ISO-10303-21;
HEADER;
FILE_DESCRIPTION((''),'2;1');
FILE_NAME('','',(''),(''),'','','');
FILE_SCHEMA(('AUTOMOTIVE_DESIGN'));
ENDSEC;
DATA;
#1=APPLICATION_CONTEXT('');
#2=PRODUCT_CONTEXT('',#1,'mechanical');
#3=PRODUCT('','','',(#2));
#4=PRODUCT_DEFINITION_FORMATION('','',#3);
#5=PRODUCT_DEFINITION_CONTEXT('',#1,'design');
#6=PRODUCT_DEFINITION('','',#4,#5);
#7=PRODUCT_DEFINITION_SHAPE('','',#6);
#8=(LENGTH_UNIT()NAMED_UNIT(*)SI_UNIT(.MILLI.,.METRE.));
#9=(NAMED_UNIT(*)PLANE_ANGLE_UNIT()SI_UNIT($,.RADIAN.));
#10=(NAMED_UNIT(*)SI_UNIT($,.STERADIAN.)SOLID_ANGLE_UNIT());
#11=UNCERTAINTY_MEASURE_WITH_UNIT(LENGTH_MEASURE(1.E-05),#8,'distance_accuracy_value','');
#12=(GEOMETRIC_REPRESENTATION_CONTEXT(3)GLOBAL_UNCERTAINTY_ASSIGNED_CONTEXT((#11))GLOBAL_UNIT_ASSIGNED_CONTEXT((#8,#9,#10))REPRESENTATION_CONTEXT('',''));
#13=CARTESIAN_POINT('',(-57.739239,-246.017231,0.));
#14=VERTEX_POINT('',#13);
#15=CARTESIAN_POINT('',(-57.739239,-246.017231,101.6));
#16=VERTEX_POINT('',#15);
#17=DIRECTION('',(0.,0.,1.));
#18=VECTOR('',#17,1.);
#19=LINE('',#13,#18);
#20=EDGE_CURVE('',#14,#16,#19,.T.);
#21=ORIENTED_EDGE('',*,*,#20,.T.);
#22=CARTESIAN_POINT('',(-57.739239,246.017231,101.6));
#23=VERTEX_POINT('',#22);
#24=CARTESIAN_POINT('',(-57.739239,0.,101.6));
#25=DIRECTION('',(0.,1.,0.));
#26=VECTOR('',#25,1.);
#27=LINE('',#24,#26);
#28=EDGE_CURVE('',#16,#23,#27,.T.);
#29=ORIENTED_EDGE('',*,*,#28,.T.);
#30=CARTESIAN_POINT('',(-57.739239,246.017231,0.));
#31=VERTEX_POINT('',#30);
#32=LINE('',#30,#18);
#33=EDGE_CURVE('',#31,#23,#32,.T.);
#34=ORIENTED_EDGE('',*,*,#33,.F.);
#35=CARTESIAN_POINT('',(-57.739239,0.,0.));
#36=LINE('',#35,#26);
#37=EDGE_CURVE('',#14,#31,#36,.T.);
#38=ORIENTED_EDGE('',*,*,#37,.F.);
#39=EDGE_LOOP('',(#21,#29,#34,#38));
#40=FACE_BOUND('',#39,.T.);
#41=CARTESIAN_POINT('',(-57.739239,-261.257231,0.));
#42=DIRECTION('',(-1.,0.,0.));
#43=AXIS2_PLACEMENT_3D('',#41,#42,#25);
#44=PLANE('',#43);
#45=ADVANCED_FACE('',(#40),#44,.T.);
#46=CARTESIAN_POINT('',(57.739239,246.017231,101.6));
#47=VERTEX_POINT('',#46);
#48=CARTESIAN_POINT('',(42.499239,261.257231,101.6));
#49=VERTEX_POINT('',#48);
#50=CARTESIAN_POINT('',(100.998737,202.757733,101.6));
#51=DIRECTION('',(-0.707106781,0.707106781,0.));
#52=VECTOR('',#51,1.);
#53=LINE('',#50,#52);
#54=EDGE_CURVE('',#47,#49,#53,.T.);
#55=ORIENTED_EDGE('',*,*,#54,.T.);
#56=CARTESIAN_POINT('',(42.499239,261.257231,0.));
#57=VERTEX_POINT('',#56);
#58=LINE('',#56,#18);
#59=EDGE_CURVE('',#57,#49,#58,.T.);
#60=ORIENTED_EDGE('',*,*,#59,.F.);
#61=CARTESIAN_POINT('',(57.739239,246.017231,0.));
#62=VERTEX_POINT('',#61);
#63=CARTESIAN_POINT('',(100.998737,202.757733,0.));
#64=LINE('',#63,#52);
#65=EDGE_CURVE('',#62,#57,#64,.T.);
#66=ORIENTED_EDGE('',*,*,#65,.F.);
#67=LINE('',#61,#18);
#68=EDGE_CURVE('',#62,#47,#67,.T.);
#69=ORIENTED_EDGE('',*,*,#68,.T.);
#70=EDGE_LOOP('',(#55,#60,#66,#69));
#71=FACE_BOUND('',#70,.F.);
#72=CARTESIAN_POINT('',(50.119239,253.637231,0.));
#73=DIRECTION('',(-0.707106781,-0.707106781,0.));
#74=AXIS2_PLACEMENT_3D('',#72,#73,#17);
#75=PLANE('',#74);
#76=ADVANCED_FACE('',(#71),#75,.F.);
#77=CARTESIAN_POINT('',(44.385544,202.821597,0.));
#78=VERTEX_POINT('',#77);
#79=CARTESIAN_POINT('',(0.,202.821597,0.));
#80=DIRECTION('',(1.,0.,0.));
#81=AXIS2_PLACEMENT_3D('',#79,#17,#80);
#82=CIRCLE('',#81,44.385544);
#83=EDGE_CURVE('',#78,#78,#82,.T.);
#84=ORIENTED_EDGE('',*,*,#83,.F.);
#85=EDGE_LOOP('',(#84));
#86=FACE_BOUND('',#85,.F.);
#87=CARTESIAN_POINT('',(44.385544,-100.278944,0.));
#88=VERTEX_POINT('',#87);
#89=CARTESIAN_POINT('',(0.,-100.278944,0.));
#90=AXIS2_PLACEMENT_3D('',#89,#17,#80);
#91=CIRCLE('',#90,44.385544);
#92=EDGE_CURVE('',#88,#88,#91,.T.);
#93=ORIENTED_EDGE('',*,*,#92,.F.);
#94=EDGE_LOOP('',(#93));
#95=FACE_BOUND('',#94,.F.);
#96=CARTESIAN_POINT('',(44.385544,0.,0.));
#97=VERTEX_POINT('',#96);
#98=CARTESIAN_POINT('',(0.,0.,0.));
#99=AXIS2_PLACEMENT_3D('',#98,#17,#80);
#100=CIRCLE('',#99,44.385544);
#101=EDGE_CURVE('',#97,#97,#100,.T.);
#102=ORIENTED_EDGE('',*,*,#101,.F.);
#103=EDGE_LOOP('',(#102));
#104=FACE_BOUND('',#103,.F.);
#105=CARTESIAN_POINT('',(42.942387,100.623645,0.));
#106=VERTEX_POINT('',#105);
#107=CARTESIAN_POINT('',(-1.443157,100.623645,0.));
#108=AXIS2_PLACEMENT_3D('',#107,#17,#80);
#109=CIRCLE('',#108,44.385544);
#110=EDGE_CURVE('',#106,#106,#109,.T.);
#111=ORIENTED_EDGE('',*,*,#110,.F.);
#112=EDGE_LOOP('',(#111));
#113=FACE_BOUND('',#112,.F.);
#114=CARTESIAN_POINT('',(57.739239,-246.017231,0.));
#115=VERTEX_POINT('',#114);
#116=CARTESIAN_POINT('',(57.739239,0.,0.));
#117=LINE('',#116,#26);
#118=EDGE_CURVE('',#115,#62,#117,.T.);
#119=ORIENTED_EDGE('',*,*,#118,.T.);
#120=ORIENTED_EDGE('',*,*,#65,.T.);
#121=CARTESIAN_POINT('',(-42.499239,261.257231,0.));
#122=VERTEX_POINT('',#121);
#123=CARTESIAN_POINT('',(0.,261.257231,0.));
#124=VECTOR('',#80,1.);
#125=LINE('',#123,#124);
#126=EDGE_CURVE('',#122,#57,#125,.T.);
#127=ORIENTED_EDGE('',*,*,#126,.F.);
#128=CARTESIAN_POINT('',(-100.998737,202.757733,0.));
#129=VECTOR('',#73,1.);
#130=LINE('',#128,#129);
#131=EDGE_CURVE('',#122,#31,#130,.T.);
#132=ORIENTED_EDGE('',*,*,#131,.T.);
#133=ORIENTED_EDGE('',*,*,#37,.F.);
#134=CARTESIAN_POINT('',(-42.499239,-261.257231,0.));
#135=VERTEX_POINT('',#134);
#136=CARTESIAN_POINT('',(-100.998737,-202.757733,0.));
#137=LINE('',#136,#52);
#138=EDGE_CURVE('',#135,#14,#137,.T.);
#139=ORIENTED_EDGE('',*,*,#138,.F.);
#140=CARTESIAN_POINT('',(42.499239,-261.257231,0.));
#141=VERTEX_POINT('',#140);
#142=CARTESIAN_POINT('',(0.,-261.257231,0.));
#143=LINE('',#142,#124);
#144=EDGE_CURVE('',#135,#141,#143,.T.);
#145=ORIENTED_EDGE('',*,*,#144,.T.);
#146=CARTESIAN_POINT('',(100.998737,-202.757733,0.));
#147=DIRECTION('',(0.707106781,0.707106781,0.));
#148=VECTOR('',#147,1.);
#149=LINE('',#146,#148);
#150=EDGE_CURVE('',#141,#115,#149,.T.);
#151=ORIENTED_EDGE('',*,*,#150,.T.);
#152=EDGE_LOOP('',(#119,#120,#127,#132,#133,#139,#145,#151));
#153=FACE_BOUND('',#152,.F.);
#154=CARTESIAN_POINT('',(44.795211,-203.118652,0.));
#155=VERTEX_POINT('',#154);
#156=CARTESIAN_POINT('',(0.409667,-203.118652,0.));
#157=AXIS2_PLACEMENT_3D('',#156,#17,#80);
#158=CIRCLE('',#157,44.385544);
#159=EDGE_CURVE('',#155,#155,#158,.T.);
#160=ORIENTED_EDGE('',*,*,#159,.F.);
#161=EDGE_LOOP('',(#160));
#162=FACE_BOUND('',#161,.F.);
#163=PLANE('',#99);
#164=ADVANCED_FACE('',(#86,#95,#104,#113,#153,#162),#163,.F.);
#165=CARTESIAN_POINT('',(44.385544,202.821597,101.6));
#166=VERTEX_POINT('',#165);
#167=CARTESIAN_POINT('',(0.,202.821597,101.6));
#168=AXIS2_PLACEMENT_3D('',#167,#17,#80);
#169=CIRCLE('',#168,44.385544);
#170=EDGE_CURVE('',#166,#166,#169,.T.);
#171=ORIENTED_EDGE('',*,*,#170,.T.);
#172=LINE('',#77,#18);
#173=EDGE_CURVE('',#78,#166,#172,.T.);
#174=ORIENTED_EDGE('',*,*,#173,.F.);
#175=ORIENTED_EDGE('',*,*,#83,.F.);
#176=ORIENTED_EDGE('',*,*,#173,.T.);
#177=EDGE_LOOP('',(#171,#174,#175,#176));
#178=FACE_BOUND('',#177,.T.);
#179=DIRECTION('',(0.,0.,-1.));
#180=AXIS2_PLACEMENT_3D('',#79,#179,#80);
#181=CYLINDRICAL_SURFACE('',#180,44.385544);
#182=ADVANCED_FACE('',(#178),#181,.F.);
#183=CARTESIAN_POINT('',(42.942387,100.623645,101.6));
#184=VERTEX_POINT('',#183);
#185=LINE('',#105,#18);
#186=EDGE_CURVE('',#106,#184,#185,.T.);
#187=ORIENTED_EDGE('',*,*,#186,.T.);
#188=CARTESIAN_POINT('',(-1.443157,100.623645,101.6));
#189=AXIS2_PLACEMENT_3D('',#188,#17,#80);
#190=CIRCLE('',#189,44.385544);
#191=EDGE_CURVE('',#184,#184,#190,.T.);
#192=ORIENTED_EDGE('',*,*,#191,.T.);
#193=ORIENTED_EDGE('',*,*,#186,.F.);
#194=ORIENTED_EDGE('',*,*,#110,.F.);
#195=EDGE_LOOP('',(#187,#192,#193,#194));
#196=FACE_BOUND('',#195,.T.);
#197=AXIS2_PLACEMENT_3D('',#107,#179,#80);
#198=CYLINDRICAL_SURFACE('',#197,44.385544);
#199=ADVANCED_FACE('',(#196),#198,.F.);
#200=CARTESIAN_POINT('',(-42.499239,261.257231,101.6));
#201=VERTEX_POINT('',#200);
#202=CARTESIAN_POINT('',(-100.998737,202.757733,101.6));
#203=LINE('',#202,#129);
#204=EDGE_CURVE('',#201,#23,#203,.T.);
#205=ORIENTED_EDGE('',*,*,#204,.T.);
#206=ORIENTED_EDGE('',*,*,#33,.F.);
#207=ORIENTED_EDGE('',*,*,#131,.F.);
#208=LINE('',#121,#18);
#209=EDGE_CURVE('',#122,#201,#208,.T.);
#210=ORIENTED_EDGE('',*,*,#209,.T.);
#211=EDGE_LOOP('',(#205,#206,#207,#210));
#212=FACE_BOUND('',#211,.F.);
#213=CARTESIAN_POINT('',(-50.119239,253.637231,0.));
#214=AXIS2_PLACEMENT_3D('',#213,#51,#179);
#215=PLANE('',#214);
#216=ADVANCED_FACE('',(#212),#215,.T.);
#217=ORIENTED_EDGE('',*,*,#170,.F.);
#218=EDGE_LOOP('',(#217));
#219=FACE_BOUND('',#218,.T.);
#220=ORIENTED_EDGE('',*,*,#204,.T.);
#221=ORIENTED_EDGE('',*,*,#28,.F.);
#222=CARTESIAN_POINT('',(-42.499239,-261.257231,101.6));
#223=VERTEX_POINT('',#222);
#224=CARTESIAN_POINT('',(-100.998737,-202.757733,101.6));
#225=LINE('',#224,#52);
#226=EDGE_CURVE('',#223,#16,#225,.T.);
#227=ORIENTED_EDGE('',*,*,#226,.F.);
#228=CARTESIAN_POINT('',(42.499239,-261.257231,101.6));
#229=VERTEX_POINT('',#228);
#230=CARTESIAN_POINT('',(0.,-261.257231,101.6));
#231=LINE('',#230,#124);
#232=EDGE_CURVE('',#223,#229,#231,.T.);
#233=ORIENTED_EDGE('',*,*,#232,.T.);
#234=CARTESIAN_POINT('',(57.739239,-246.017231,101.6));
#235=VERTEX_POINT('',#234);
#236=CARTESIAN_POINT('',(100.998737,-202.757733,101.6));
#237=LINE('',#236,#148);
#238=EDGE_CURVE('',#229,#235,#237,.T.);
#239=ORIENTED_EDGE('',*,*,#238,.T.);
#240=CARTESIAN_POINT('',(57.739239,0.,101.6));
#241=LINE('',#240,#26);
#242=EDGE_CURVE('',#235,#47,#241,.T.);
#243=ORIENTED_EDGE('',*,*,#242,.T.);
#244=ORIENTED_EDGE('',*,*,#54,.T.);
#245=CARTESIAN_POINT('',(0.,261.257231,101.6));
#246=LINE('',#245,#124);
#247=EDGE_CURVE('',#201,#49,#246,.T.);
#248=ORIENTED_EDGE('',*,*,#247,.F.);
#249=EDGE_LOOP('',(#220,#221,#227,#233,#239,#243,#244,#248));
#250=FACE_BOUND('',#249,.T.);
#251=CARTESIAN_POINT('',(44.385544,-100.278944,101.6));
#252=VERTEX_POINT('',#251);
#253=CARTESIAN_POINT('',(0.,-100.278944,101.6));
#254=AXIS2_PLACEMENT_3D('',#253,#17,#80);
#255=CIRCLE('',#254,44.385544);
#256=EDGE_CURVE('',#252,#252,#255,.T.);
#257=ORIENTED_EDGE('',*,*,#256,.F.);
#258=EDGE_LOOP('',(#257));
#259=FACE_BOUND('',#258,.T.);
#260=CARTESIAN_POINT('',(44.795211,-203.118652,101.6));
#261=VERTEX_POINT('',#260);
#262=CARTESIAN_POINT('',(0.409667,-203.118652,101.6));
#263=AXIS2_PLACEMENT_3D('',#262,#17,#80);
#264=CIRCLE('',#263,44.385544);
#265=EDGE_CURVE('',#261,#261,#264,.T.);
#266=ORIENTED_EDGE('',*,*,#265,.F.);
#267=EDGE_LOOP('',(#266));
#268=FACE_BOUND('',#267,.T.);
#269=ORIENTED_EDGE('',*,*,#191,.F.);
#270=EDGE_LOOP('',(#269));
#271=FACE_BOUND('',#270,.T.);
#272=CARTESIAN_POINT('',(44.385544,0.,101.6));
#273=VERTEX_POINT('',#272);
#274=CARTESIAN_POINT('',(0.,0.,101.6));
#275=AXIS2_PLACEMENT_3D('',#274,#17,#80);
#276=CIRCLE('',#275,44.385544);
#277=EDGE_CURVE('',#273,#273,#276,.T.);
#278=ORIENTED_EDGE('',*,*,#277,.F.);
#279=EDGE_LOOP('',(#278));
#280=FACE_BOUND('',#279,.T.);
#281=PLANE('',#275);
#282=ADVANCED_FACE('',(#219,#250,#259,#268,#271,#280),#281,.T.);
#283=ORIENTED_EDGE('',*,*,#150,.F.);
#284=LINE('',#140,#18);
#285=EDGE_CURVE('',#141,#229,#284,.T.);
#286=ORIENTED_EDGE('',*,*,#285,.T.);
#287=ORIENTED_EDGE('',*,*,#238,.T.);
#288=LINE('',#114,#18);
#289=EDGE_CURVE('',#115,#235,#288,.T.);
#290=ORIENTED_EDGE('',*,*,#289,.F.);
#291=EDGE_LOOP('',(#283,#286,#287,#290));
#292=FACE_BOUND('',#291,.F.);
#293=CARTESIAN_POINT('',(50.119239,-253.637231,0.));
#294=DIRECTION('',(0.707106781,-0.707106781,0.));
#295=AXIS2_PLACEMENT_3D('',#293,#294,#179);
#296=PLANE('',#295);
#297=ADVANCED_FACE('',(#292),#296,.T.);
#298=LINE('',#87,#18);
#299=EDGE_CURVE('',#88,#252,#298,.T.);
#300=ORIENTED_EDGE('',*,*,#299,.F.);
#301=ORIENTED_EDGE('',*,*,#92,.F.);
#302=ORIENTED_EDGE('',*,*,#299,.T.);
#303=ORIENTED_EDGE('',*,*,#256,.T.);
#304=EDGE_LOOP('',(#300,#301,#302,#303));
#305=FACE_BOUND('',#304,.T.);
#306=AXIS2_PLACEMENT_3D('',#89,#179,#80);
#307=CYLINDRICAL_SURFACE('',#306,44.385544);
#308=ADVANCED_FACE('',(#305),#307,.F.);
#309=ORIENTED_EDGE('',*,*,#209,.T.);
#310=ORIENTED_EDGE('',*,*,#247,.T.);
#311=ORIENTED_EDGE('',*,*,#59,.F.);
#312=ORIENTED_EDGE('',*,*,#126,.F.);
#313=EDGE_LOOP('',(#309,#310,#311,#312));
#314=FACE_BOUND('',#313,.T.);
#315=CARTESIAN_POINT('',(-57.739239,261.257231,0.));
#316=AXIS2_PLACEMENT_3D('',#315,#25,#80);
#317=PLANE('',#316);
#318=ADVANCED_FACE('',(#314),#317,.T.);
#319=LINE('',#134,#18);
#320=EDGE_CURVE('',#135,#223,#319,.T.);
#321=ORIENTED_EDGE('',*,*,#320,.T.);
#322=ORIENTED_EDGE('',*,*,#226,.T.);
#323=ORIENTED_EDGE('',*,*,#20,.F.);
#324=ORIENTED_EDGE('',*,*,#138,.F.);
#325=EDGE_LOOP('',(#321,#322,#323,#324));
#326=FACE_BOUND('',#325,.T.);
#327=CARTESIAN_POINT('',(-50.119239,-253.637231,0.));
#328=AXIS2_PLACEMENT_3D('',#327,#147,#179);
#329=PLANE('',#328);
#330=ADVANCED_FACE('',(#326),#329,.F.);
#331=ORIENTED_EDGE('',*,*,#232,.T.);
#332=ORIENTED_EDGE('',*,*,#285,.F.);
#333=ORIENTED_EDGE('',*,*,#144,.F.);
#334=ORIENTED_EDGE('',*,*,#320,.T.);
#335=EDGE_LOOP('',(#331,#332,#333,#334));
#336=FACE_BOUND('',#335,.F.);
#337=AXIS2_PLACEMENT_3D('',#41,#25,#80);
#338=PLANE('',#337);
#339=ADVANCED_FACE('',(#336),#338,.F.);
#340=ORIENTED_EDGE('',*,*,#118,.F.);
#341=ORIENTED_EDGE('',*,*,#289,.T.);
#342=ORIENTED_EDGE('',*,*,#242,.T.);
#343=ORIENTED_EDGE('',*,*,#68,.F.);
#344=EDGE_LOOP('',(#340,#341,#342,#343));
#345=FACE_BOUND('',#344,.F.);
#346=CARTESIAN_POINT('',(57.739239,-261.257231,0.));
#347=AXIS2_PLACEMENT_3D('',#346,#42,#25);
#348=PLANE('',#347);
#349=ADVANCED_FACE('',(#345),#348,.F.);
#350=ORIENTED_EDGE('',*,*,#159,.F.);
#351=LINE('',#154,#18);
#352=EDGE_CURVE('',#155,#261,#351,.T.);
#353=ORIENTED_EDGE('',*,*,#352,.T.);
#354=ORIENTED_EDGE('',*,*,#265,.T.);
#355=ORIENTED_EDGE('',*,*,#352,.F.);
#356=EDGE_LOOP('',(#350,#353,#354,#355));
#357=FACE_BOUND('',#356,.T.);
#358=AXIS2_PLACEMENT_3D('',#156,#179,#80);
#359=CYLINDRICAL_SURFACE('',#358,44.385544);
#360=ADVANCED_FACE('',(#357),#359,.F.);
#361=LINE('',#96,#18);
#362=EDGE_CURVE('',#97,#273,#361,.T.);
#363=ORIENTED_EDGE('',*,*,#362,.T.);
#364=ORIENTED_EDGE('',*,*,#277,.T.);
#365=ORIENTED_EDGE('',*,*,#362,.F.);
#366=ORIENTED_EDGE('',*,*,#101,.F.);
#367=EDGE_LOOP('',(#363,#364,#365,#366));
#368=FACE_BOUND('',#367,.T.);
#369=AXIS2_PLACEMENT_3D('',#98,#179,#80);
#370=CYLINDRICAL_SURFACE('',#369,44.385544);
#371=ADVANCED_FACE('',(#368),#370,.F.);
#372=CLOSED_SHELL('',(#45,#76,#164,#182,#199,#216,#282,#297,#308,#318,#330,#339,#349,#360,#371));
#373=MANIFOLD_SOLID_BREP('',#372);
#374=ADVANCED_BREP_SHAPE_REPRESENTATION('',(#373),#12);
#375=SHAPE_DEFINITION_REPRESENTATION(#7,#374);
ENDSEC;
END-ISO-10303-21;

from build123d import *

# Parameters (mm, degrees)
F0_W     = 115.478478
F0_H     = 522.514462
F0_R     = 44.385544
F1_DEPTH = 101.6
F2_SIZE  = 15.24
F3_SIZE  = 15.24
F4_SIZE  = 15.24
F5_SIZE  = 15.24


with BuildPart() as f1:
    # F0 (on Top) → F1 (new body)
    with BuildSketch(Plane.XY):
        Rectangle(F0_W, F0_H)
        with Locations((0, -100.278944)):
            Circle(F0_R, mode=Mode.SUBTRACT)
        with Locations((0.409667, -203.118652)):
            Circle(F0_R, mode=Mode.SUBTRACT)
        Circle(F0_R, mode=Mode.SUBTRACT)
        with Locations((-1.443157, 100.623645)):
            Circle(F0_R, mode=Mode.SUBTRACT)
        with Locations((0, 202.821597)):
            Circle(F0_R, mode=Mode.SUBTRACT)
    extrude(amount=F1_DEPTH)

    # F2
    f2_edges = [f1.edges().sort_by_distance(p)[0] for p in [
        (57.739239, -261.257231, 50.8),
    ]]
    chamfer(f2_edges, length=F2_SIZE)

    # F3
    f3_edges = [f1.edges().sort_by_distance(p)[0] for p in [
        (-57.739239, -261.257231, 50.8),
    ]]
    chamfer(f3_edges, length=F3_SIZE)

    # F4
    f4_edges = [f1.edges().sort_by_distance(p)[0] for p in [
        (57.739239, 261.257231, 50.8),
    ]]
    chamfer(f4_edges, length=F4_SIZE)

    # F5
    f5_edges = [f1.edges().sort_by_distance(p)[0] for p in [
        (-57.739239, 261.257231, 50.8),
    ]]
    chamfer(f5_edges, length=F5_SIZE)


solid = f1.part
